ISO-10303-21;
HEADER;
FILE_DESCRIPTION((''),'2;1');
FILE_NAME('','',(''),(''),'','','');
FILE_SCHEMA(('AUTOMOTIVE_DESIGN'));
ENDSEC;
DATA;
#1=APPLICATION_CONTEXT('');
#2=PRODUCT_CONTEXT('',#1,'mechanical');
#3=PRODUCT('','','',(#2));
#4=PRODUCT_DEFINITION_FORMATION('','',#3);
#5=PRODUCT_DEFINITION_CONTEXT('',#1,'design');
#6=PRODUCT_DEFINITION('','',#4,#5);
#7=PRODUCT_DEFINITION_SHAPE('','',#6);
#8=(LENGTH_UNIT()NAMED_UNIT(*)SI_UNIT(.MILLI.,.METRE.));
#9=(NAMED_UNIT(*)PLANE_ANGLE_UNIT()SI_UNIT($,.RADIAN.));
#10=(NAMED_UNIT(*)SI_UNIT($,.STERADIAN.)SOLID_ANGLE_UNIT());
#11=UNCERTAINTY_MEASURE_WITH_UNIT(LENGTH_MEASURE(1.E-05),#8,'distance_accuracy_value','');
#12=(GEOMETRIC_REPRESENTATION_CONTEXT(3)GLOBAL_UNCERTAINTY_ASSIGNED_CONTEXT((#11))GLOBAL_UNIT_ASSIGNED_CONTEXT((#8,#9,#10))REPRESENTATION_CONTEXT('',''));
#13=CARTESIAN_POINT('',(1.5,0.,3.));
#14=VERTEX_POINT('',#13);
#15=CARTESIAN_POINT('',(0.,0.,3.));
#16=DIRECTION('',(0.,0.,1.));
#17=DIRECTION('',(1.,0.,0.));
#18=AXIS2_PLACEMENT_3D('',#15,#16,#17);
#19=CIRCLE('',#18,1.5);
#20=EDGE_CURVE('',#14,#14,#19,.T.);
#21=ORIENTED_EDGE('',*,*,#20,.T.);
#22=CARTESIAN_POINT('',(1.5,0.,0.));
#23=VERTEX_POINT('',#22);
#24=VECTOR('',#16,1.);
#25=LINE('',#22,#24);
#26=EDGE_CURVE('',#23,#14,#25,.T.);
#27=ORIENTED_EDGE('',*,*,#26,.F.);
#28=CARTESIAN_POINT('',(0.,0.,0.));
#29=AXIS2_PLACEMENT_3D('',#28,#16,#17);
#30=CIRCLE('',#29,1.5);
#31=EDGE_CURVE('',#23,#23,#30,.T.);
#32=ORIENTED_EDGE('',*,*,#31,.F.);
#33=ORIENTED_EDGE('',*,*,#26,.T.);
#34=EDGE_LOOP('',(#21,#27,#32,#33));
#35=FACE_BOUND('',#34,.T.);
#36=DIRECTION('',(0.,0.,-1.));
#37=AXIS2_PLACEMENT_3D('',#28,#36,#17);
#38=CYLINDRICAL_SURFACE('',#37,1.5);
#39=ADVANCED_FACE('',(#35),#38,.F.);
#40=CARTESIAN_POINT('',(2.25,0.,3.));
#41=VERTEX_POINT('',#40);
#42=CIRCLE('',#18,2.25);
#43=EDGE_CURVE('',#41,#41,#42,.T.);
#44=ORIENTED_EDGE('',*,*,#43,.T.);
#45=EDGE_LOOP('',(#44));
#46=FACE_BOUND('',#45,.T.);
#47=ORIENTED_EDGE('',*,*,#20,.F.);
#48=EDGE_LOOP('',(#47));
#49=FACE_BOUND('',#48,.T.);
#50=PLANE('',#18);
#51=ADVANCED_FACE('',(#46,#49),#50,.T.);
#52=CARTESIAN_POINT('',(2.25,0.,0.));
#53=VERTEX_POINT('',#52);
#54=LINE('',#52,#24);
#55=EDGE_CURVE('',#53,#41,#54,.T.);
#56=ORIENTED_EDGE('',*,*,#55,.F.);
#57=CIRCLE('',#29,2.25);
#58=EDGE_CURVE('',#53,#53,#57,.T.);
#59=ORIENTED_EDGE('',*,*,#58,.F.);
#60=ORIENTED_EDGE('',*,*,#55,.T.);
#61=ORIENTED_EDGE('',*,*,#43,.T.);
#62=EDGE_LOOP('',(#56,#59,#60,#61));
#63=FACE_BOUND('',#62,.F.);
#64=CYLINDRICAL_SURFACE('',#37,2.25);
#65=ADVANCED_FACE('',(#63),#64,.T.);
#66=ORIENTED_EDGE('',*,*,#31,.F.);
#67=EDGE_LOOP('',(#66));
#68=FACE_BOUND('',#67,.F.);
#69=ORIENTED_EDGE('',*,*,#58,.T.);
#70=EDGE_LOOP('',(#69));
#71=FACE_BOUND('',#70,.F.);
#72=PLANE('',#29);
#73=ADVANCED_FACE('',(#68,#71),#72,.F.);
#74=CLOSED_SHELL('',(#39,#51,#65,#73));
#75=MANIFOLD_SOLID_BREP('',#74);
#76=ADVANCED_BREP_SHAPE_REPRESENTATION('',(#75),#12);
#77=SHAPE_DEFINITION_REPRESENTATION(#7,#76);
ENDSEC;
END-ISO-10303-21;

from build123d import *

# Parameters (mm, degrees)
SKETCH_R   = 2.25
SKETCH_R_2 = 1.5
PAD_DEPTH  = 3


with BuildPart() as part:
    # Sketch → Pad (new body)
    with BuildSketch(Plane.XY):
        Circle(SKETCH_R)
        Circle(SKETCH_R_2, mode=Mode.SUBTRACT)
    extrude(amount=PAD_DEPTH)


solid = part.part
